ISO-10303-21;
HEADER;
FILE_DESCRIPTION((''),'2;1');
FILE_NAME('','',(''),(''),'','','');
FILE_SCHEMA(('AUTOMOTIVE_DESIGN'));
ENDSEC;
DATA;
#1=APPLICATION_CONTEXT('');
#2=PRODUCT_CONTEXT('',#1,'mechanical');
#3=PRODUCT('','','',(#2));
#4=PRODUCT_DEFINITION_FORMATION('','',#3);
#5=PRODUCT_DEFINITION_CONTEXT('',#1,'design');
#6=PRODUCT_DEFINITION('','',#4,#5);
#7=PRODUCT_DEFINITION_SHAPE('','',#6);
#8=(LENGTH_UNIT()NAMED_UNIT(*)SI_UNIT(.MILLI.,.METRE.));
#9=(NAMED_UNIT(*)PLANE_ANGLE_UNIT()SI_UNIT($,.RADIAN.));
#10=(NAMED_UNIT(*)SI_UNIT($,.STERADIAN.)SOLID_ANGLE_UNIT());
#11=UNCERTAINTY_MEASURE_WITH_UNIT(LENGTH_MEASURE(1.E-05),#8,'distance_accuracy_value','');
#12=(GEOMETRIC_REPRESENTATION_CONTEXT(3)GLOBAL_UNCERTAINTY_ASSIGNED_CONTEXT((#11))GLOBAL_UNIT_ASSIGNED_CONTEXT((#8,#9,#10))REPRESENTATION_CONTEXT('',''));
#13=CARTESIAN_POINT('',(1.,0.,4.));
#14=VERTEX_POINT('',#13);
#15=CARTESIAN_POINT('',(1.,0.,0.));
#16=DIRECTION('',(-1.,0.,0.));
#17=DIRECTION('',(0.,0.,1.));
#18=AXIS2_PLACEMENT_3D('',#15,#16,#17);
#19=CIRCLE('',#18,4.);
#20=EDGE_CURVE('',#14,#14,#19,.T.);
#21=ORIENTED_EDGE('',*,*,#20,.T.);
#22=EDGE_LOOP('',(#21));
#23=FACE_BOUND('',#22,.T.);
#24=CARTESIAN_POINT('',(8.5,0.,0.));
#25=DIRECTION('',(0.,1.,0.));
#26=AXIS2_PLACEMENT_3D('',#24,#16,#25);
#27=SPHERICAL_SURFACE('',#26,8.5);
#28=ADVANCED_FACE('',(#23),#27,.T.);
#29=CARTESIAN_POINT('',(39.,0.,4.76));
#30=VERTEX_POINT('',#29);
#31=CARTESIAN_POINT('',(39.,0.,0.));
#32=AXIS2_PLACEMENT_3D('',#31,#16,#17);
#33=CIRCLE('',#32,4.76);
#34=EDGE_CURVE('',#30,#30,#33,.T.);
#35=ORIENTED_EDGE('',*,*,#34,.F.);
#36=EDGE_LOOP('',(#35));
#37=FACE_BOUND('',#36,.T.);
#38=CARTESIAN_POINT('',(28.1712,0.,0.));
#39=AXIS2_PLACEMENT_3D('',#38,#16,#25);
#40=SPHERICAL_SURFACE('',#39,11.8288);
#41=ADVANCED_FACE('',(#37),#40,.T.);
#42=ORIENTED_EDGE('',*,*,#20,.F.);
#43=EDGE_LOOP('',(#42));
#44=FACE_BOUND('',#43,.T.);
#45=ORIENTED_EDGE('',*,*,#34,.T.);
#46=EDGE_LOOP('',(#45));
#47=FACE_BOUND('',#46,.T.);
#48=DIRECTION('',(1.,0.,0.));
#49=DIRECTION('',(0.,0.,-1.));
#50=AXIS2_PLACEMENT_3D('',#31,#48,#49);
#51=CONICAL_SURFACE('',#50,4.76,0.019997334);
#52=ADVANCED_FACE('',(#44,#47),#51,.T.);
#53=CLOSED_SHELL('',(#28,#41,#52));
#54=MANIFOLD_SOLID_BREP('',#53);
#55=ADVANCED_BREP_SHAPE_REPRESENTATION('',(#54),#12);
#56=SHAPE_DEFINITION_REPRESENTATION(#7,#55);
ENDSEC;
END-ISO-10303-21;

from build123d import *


with BuildPart() as part:
    # Sketch1 → Base-Revolve (revolve)
    with BuildSketch(Plane.XY):
        with BuildLine():
            Line((0, 0), (40, 0))
            ThreePointArc((40, 0), (39.747300787, 2.431953947), (39, 4.76))
            Line((39, 4.76), (1, 4))
            ThreePointArc((1, 4), (0.253788749, 2.061552813), (0, 0))
        make_face()
    revolve(axis=Axis((-4.003548939, 0, 0), (1, 0, 0)))


solid = part.part
